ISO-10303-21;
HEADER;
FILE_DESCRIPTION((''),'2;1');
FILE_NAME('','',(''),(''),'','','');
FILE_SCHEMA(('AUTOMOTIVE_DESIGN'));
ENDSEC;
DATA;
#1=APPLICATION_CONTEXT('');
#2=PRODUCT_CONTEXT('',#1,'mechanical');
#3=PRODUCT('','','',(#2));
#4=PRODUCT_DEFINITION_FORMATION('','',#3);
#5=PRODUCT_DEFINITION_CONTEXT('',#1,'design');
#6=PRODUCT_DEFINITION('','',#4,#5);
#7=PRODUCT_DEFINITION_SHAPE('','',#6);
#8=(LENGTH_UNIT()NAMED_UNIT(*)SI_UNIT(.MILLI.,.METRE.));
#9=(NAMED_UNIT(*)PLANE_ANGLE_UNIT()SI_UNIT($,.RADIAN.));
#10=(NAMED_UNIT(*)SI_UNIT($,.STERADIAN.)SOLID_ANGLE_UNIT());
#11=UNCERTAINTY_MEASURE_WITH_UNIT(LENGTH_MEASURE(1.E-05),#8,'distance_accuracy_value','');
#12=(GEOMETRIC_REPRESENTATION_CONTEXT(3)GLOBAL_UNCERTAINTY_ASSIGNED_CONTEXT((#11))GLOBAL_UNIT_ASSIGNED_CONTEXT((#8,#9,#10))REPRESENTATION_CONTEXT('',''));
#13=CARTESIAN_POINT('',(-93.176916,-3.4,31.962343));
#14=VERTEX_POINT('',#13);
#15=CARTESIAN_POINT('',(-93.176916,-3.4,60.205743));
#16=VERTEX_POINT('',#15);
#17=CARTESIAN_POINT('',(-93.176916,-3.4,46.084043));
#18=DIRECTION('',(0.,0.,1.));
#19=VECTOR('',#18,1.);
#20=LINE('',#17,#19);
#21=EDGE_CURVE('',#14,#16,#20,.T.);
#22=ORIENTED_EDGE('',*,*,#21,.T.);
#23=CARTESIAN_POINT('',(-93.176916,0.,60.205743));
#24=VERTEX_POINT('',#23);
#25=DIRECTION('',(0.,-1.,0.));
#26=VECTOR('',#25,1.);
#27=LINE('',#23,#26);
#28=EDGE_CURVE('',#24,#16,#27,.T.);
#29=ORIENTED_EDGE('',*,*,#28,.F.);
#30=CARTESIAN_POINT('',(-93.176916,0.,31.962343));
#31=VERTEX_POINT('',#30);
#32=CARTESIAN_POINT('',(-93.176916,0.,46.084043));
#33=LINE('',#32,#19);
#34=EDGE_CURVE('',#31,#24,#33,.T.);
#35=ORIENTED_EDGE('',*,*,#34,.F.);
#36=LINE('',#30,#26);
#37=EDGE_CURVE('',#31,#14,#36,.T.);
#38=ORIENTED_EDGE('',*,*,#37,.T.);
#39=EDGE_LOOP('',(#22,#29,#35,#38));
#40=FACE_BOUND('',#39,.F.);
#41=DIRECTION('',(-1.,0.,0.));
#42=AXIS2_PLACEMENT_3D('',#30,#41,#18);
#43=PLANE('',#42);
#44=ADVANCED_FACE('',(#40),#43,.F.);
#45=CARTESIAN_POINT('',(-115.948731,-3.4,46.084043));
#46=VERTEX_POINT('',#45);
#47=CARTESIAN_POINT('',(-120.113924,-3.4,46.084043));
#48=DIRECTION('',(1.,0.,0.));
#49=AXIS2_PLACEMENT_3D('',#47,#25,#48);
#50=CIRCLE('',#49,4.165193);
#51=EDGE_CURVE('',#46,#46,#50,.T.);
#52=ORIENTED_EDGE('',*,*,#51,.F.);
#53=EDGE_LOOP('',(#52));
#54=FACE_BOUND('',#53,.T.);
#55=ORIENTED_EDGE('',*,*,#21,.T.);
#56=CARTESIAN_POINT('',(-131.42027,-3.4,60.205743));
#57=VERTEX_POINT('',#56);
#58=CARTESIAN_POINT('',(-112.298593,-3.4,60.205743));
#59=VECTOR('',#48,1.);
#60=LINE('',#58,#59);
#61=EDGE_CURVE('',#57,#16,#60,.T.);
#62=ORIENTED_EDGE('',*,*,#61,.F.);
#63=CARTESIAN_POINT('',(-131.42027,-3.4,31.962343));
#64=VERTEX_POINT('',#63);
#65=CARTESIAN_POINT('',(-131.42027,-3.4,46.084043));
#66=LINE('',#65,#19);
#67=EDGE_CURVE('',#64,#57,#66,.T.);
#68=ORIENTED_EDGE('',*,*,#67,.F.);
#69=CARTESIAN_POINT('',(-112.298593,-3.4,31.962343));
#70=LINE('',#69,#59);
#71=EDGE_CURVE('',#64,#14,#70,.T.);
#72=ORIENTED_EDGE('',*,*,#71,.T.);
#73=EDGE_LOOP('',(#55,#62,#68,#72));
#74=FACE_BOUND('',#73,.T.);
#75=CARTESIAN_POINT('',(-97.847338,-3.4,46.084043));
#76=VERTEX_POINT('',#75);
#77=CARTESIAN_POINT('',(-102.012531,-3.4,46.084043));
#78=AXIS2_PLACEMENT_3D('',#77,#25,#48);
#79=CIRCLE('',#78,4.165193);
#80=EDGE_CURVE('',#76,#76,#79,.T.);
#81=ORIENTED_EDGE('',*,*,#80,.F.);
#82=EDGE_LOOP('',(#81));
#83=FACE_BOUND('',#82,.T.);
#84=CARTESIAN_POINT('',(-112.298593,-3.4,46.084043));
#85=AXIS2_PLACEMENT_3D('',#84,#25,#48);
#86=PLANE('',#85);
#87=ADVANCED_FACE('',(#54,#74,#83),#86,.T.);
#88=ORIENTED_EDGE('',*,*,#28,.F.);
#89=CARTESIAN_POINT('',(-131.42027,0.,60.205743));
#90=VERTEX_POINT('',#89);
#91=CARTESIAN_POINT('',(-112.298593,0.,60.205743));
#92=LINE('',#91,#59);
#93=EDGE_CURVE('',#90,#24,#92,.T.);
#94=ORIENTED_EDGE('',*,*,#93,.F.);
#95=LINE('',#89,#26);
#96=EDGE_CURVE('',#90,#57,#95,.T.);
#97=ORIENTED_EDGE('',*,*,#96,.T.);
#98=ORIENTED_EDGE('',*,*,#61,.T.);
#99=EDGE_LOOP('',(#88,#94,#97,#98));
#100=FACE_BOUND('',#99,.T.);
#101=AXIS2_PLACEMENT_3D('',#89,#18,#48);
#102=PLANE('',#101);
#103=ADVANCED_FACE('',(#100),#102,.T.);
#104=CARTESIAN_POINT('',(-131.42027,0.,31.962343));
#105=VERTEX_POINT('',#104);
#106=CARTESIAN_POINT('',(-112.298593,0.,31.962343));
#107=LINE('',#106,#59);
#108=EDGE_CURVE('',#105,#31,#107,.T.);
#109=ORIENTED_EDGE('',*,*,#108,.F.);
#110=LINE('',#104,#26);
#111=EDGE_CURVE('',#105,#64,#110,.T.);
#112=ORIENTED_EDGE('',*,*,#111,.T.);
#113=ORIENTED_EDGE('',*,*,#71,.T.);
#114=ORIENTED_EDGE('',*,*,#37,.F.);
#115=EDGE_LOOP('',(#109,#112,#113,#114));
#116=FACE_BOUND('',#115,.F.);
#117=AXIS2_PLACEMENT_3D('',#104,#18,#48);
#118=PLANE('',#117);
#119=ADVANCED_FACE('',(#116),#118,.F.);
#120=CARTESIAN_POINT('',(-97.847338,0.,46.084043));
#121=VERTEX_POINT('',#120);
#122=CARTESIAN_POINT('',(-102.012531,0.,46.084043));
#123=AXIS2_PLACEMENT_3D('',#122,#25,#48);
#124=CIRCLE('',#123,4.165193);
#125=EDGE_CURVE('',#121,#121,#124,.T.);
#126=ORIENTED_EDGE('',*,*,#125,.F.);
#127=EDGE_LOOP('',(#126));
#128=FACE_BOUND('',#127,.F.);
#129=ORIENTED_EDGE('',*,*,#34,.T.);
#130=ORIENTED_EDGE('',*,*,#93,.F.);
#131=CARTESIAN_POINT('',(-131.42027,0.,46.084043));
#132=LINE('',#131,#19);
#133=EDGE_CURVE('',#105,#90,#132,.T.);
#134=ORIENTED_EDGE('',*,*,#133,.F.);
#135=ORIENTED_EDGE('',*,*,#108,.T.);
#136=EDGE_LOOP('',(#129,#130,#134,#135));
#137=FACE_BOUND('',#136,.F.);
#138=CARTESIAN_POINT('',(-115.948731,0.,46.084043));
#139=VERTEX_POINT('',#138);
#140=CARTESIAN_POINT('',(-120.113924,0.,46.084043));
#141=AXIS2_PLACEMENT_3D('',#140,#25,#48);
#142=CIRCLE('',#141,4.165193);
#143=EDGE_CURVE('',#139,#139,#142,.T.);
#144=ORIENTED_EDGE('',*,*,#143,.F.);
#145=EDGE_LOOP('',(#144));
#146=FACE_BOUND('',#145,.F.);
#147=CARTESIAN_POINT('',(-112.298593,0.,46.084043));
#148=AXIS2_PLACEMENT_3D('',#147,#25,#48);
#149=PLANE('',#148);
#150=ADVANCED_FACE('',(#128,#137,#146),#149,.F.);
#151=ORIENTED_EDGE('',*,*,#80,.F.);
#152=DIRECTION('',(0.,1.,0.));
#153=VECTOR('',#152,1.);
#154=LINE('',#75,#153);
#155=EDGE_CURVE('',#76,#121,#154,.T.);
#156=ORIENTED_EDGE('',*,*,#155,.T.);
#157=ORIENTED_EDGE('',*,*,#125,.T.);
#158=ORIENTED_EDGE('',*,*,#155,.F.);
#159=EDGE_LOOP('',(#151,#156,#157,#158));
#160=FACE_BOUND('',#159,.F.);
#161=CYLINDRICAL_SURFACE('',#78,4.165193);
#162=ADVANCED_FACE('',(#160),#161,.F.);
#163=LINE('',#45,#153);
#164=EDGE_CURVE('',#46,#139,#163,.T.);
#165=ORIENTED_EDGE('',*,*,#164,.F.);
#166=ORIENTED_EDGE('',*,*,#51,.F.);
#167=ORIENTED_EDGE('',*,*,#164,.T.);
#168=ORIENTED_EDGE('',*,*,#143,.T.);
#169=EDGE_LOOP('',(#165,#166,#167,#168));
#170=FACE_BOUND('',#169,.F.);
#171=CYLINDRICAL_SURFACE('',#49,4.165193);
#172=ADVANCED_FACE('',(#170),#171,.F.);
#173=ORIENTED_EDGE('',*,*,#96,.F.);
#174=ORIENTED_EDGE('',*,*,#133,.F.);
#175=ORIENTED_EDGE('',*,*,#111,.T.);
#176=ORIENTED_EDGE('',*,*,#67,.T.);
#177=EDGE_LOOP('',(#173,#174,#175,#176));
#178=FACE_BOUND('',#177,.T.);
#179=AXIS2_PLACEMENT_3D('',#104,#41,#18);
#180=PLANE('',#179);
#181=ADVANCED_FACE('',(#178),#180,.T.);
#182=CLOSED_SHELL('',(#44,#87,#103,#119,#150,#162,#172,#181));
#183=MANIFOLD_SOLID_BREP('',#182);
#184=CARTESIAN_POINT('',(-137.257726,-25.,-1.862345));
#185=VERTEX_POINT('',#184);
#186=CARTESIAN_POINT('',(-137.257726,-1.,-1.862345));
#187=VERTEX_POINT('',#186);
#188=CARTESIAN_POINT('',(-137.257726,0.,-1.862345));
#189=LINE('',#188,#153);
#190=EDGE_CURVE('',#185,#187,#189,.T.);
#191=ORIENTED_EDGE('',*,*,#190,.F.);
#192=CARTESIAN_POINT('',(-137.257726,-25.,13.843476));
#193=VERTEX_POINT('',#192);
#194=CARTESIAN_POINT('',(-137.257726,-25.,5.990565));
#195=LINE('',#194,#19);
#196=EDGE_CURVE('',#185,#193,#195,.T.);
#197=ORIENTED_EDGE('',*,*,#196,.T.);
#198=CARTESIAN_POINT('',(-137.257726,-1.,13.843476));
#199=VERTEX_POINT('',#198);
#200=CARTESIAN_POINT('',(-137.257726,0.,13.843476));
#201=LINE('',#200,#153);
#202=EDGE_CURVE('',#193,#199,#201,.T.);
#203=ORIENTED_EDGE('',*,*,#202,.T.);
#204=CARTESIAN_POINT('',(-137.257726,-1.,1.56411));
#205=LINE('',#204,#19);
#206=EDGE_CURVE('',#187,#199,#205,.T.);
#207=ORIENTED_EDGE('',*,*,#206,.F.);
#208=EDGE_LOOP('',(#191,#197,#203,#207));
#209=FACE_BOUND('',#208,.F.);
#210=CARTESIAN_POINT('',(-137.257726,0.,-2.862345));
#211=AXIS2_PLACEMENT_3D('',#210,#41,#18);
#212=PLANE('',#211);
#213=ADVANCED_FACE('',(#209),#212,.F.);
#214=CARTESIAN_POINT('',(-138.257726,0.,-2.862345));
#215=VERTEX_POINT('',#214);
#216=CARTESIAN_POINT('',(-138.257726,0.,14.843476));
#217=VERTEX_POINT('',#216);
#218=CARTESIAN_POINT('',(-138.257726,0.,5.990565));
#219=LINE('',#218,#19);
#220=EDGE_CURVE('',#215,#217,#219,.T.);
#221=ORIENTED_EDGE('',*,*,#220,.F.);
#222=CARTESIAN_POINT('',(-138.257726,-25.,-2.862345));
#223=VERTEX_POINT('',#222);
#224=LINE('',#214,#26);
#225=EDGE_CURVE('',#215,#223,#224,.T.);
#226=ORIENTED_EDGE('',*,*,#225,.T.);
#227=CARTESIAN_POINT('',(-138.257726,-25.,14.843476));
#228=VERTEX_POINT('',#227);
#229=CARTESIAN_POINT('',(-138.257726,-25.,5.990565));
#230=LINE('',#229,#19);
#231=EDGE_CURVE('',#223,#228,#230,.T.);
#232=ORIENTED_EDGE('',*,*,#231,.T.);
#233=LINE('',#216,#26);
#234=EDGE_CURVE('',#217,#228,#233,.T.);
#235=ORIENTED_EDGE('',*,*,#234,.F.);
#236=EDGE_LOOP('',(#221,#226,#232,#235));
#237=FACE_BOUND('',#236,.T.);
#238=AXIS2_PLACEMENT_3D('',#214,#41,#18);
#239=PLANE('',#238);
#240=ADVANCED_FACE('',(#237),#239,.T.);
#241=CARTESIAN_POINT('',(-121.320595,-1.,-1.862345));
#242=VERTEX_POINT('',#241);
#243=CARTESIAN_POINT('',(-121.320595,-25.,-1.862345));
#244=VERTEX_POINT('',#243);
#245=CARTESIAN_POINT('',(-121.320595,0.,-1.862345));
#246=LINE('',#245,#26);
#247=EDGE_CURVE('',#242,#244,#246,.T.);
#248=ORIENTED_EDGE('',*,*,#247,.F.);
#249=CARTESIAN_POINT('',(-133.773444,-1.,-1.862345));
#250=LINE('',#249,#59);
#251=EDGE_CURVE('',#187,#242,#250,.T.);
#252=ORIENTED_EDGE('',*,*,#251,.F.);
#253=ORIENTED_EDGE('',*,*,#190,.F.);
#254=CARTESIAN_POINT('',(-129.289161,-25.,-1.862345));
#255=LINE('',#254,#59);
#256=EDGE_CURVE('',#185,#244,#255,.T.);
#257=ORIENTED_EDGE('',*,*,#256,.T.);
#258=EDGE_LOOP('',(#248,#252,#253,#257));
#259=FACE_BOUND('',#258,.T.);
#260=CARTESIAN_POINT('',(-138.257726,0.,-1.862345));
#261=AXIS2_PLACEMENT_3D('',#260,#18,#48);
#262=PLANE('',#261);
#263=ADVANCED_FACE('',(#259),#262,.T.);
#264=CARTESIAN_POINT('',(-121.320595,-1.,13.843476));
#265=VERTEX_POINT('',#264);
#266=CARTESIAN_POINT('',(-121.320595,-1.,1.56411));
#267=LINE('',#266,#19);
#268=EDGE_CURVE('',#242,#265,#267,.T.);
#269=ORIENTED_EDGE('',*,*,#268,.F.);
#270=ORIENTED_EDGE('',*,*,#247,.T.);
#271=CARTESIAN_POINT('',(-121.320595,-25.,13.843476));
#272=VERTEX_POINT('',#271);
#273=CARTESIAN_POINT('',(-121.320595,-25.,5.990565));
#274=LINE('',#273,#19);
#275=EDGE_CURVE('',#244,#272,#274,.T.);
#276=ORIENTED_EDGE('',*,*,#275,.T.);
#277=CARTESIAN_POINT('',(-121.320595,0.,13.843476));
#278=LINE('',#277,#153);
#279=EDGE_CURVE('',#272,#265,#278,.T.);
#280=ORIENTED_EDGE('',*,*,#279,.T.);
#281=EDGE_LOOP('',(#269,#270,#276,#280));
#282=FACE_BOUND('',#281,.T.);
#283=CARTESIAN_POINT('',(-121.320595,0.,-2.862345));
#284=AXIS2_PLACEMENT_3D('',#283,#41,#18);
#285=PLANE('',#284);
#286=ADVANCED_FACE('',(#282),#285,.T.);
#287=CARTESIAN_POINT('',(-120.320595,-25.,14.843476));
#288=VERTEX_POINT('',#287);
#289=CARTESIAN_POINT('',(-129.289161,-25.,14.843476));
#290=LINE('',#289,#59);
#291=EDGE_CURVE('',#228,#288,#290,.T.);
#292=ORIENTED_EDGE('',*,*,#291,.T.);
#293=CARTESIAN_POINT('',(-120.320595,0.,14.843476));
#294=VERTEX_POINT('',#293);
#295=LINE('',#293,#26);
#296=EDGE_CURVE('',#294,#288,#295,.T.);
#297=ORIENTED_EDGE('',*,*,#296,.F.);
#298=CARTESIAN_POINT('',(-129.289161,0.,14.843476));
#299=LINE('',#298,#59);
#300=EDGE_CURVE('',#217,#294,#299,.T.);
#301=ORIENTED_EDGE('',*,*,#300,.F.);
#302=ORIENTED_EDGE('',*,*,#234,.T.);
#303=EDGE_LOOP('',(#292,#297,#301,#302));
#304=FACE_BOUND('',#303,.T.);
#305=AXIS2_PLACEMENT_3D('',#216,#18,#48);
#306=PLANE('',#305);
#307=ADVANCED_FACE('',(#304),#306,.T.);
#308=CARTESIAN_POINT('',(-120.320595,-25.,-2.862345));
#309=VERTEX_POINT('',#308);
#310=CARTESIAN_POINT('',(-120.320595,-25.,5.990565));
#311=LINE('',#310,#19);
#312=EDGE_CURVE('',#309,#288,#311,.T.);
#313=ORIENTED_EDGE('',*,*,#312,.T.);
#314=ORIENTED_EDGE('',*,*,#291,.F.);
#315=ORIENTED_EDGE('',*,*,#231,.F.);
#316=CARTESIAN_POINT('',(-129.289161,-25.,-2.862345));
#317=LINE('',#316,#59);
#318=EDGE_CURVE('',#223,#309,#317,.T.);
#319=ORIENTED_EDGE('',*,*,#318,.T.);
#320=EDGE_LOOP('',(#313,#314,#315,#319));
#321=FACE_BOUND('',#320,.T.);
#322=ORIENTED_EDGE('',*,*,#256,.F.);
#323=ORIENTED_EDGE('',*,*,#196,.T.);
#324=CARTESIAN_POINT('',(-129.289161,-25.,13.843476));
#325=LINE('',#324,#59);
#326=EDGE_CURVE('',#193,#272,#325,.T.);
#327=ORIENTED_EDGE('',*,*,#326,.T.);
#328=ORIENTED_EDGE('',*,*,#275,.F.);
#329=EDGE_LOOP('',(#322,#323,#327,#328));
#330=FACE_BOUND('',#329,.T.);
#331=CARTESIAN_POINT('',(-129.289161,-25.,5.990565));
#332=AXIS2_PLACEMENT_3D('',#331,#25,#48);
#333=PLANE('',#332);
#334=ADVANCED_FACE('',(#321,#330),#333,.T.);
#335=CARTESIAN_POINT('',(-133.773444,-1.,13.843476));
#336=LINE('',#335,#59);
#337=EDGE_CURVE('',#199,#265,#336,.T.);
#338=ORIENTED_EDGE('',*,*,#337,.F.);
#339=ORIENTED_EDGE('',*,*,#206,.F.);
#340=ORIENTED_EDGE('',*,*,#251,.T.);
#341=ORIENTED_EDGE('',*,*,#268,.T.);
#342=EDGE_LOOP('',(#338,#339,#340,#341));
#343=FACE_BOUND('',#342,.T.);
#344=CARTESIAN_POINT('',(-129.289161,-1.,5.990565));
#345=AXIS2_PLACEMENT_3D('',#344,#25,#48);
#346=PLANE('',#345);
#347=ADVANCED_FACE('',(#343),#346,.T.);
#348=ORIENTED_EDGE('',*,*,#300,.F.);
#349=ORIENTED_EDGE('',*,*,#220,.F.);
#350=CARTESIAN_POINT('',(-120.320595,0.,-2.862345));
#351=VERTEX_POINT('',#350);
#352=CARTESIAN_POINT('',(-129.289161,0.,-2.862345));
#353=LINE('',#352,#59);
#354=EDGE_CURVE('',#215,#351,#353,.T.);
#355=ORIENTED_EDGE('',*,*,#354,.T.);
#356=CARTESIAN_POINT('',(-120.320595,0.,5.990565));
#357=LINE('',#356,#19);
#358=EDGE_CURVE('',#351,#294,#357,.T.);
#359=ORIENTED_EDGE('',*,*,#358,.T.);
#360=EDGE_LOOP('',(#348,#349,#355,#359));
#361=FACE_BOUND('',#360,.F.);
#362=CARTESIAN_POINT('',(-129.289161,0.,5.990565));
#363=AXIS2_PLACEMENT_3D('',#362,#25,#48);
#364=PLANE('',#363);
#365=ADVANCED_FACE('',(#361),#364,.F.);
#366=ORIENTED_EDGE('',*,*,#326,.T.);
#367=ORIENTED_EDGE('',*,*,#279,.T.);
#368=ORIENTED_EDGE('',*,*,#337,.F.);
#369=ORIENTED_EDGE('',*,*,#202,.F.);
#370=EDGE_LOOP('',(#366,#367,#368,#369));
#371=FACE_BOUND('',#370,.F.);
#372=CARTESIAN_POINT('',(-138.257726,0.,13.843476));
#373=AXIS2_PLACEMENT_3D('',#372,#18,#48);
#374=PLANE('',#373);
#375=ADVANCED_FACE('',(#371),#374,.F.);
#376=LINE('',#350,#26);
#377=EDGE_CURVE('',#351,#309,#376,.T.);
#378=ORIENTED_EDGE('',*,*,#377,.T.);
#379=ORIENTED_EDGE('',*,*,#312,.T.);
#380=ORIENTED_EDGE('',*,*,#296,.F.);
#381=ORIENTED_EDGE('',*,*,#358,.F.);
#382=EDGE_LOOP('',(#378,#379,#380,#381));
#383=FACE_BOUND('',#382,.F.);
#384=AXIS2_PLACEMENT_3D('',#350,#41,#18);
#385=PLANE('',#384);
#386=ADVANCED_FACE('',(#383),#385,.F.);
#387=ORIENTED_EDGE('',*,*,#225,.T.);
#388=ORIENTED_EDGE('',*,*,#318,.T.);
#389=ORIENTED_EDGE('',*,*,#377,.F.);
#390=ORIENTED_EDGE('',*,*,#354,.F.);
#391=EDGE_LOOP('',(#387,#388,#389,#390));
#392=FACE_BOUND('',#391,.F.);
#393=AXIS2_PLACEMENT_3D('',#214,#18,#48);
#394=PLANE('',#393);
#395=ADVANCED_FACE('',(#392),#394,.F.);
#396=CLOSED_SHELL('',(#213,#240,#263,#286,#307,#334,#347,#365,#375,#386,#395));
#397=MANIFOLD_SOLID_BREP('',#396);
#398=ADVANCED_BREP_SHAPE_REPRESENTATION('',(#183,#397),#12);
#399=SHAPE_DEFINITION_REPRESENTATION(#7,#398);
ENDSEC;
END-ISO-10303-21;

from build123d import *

# Parameters (mm, degrees)
F0_W     = 38.243354
F0_H     = 28.2434
F1_DEPTH = 3.4
F2_R     = 4.165193
F3_DEPTH = 25
F4_W     = 17.937131
F4_H     = 17.705821
F5_DEPTH = 25
F6_T     = -1


with BuildPart() as f1:
    # F0 (on Front) → F1 (new body)
    with BuildSketch(Plane.XZ):
        with Locations((-112.298593, 46.084043)):
            Rectangle(F0_W, F0_H)
    extrude(amount=F1_DEPTH)

    # F2 (on face) → F3 (cut)
    with BuildSketch(Plane.XZ.offset(3.4)):
        with Locations((-120.113924, 46.084043)):
            Circle(F2_R)
        with Locations((-102.012531, 46.084043)):
            Circle(F2_R)
    extrude(amount=-F3_DEPTH, mode=Mode.SUBTRACT)


with BuildPart() as f5:
    # F4 (on Front) → F5 (new body)
    with BuildSketch(Plane.XZ):
        with Locations((-129.289161, 5.990565)):
            Rectangle(F4_W, F4_H)
    extrude(amount=F5_DEPTH)

    # F6
    f6_openings = [f5.faces().sort_by_distance(p)[0] for p in [
        (-129.289161, -25, 5.990566),
    ]]
    offset(amount=F6_T, openings=f6_openings)


solid = Compound([f1.part, f5.part])
